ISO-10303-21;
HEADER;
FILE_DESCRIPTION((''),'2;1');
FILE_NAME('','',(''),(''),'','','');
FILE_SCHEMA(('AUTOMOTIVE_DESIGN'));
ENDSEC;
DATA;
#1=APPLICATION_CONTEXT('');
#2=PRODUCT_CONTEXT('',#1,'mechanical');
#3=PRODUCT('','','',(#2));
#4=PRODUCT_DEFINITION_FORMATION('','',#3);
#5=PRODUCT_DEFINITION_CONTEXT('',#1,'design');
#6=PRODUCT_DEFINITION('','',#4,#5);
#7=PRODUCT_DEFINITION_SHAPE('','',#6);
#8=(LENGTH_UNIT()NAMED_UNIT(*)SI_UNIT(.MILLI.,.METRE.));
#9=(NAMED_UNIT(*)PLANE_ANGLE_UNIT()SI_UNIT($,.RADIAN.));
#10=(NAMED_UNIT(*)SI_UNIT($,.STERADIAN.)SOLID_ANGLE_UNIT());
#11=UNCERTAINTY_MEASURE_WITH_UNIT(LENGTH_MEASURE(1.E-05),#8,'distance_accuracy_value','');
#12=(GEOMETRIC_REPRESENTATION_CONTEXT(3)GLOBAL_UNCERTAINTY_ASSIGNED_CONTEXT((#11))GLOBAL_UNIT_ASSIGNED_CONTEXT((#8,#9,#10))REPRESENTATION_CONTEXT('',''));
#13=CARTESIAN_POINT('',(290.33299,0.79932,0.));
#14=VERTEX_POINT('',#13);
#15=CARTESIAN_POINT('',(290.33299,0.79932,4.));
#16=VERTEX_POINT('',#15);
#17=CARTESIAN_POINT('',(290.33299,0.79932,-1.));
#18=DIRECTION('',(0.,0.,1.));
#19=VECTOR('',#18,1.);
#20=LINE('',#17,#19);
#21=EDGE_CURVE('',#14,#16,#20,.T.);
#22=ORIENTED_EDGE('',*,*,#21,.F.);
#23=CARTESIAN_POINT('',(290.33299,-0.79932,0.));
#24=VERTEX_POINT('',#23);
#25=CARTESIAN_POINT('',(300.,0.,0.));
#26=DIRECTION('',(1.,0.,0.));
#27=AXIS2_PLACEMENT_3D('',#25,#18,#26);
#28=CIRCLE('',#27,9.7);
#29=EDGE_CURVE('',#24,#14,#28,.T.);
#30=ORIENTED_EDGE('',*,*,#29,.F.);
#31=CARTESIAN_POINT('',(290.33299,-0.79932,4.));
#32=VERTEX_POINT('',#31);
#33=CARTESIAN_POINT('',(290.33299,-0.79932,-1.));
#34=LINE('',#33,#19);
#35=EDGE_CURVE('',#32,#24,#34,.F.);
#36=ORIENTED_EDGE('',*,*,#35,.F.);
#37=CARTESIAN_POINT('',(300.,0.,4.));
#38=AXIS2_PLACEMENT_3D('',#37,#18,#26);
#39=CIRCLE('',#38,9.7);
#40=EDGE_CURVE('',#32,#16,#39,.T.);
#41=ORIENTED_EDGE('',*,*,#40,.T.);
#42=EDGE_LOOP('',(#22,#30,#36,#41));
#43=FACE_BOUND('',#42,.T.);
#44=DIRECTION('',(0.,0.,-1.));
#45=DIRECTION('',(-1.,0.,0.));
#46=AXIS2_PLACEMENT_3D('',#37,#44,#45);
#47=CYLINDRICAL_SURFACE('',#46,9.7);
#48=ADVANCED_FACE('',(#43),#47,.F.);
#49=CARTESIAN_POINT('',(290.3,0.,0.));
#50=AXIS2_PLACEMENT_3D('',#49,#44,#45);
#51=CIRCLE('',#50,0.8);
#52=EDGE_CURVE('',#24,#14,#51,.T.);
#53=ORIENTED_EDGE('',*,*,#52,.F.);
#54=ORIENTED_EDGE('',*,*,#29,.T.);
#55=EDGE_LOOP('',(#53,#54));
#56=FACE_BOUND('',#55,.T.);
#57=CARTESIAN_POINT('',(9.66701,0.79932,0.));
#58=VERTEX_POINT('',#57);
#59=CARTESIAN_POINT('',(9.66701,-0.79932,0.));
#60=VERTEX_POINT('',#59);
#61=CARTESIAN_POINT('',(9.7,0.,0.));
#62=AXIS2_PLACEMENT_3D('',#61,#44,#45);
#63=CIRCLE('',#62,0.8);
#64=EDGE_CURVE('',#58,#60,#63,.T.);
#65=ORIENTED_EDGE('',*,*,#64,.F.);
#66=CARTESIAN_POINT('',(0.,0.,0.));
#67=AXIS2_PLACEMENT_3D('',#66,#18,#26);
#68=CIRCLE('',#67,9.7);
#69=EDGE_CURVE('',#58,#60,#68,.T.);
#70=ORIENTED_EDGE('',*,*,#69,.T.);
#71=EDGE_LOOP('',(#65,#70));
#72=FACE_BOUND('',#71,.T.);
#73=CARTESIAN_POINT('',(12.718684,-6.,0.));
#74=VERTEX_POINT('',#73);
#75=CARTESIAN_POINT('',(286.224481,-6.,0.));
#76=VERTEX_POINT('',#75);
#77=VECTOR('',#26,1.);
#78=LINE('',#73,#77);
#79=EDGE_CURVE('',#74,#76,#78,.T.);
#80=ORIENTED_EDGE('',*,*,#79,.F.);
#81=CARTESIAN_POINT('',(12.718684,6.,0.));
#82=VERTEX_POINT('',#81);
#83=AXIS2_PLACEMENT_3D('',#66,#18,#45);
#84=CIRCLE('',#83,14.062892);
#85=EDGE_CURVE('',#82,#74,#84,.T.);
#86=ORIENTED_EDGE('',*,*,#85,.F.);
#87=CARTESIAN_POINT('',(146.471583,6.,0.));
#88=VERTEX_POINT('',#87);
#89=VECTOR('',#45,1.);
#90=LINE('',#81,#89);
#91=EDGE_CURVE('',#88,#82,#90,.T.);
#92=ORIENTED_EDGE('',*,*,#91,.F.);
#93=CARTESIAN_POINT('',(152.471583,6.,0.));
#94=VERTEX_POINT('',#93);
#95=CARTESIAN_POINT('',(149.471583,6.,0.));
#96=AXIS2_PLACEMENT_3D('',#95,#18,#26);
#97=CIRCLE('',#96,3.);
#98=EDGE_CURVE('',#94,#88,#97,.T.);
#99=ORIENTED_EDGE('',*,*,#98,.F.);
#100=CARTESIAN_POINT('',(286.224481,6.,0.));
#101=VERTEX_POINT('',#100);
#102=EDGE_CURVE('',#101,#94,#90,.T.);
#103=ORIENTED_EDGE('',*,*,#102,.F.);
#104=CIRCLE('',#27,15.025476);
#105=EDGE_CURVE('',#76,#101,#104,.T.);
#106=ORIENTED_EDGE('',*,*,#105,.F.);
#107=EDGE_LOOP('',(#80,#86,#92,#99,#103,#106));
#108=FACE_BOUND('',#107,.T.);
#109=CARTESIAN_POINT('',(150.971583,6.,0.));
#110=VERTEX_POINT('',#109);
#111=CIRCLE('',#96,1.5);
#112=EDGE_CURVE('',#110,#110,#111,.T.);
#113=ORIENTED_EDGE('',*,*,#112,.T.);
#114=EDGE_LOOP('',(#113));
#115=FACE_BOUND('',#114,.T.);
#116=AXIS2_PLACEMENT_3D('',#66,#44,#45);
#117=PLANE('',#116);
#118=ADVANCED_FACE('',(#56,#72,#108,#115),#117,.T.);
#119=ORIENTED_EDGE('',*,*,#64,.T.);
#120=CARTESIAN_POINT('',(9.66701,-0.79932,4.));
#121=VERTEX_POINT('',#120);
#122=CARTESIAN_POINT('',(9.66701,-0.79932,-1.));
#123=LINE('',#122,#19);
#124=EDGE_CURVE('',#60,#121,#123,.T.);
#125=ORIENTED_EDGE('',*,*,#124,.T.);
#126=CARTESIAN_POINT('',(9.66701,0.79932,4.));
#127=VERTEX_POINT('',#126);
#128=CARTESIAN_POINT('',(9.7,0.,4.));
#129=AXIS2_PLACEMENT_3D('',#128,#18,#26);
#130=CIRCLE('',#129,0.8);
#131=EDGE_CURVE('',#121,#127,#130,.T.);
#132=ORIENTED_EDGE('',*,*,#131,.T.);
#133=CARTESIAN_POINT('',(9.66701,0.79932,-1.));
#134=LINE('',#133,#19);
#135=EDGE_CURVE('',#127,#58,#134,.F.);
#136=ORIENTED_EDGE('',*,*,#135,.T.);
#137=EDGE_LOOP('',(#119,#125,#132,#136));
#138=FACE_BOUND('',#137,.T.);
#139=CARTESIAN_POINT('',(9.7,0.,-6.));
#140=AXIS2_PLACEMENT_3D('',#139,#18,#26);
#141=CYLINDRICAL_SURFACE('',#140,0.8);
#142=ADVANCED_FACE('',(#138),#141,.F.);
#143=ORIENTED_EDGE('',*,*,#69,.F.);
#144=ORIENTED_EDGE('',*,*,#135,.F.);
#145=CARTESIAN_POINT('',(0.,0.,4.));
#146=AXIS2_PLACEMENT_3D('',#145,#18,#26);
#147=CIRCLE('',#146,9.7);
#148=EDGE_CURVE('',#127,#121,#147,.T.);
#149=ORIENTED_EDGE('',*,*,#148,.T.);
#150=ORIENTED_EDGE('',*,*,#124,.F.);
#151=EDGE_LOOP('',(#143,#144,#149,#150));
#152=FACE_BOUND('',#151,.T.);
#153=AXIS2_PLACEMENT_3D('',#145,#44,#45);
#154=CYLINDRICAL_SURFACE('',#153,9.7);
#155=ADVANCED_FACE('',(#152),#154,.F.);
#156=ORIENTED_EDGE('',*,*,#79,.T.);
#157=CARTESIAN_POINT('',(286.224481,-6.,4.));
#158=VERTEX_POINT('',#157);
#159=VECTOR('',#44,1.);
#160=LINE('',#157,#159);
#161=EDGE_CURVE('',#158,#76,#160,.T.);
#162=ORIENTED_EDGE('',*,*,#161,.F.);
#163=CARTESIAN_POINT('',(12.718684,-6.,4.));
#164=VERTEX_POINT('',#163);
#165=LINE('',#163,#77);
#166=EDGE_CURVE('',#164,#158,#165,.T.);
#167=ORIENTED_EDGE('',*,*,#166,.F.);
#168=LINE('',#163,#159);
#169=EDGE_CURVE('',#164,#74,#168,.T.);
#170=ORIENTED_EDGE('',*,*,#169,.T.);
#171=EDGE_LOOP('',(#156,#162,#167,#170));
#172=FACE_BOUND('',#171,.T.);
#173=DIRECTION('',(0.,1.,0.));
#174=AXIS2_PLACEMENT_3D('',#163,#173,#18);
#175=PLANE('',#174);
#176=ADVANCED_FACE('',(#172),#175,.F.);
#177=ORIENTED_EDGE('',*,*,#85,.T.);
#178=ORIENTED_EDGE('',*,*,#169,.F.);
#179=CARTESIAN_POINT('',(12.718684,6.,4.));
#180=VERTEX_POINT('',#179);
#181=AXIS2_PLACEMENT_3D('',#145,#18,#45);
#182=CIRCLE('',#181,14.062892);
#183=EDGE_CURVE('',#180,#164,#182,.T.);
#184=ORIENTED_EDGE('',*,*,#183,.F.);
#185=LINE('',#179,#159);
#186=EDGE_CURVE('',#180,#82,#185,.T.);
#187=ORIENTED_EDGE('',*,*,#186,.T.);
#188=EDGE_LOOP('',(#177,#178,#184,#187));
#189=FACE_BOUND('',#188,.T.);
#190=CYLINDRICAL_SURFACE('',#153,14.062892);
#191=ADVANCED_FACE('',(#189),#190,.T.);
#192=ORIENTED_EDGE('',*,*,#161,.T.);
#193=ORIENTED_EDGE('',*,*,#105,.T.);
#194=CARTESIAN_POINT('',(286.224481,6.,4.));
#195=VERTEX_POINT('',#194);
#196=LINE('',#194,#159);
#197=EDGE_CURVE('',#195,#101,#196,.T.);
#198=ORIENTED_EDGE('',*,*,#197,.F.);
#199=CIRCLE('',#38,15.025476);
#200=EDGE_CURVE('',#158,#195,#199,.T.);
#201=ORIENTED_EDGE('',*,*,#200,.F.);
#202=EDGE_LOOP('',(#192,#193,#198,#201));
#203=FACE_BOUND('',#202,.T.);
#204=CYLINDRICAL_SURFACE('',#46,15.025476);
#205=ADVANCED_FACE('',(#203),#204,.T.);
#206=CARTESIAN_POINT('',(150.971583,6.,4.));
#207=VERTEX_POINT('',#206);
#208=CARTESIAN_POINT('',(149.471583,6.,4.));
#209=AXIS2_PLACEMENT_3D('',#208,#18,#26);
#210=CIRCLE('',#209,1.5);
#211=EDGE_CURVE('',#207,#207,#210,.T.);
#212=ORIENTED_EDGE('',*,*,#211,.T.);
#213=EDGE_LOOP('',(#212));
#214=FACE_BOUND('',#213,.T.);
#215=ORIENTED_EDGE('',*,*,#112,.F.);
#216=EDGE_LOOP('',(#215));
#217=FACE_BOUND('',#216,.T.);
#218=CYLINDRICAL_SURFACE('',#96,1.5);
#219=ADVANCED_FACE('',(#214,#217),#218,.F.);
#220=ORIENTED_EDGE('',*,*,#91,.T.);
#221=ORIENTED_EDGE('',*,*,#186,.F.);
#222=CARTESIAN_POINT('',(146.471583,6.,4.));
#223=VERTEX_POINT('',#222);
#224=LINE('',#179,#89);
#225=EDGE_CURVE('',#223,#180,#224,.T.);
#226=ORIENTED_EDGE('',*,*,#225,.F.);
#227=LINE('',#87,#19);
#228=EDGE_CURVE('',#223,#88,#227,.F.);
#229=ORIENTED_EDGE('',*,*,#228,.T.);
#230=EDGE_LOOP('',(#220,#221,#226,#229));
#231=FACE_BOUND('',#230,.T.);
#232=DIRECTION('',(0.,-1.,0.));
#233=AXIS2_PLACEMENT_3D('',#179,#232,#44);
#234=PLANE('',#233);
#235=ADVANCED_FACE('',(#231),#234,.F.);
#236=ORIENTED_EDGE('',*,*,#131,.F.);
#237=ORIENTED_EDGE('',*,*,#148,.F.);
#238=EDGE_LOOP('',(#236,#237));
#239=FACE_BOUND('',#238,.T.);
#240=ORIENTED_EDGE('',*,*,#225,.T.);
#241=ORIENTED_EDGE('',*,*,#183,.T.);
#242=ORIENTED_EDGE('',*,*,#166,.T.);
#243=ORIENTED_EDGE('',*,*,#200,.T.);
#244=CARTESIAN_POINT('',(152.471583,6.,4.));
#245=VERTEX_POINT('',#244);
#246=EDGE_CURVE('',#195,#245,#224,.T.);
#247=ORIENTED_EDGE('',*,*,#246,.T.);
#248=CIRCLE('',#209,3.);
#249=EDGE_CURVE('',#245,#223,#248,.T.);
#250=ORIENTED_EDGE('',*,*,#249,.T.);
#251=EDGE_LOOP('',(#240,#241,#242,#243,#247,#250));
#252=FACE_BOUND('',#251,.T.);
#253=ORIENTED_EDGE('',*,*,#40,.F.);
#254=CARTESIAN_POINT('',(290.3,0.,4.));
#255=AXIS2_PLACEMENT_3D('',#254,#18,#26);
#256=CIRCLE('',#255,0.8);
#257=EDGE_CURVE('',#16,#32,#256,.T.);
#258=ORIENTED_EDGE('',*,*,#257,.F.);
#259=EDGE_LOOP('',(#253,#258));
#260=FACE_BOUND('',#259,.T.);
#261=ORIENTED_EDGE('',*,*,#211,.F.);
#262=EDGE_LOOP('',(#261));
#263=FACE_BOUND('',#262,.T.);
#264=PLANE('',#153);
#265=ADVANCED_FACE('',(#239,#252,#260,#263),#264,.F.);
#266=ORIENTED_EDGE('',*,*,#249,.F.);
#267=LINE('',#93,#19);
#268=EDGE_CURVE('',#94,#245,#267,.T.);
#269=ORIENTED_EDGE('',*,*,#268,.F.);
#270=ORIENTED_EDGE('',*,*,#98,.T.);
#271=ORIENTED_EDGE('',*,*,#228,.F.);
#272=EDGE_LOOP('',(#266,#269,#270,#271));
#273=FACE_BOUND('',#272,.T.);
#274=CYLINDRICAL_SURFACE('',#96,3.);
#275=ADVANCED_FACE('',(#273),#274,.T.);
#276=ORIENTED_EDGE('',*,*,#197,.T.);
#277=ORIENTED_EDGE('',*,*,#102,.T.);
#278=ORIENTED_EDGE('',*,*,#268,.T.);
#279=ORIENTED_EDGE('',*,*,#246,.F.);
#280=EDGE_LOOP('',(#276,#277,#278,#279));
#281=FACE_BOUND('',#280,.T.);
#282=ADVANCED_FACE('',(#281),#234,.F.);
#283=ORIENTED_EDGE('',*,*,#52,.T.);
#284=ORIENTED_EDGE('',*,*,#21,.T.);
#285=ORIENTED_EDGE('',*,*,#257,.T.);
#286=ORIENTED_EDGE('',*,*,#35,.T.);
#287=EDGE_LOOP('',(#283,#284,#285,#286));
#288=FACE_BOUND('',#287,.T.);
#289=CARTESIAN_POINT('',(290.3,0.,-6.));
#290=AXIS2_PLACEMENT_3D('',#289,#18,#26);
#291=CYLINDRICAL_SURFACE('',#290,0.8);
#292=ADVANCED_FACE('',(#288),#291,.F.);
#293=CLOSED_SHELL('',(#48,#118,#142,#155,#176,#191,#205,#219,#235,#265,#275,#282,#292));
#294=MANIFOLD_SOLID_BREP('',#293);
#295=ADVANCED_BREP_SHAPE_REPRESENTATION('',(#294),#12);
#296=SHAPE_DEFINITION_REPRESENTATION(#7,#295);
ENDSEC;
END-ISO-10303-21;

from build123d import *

# Parameters (mm, degrees)
SKETCH_1_R          = 9.7
EXTRUDE_1_DEPTH     = 4
SKETCH_3_R          = 0.8
CUT_EXTRUDE_1_DEPTH = 10
SKETCH_4_R          = 3
EXTRUDE_2_DEPTH     = 4
SKETCH_5_R          = 1.5
CUT_EXTRUDE_2_DEPTH = 4


with BuildPart() as part:
    # 草图1 → 凸台-拉伸1 (new body)
    with BuildSketch(Plane.XY):
        with BuildLine():
            Line((12.718684308, 6), (286.224480753, 6))
            ThreePointArc((286.224480753, 6), (315.02547605, 0), (286.224480753, -6))
            Line((286.224480753, -6), (12.718684308, -6))
            ThreePointArc((12.718684308, -6), (-14.062891969, 0), (12.718684308, 6))
        make_face()
        Circle(SKETCH_1_R, mode=Mode.SUBTRACT)
        with Locations((300, 0)):
            Circle(SKETCH_1_R, mode=Mode.SUBTRACT)
    extrude(amount=EXTRUDE_1_DEPTH)

    # 草图3 → 切除-拉伸1 (cut)
    with BuildSketch(Plane.XY.offset(4)):
        with Locations((9.7, 0)):
            Circle(SKETCH_3_R)
        with Locations((290.3, 0)):
            Circle(SKETCH_3_R)
    extrude(amount=-CUT_EXTRUDE_1_DEPTH, mode=Mode.SUBTRACT)

    # 草图4 → 凸台-拉伸2 (add)
    with BuildSketch(Plane.XY.offset(4)):
        with Locations((149.47158253, 6)):
            Circle(SKETCH_4_R)
    extrude(amount=-EXTRUDE_2_DEPTH)

    # 草图5 → 切除-拉伸2 (cut)
    with BuildSketch(Plane.XY.offset(4)):
        with Locations((149.47158253, 6)):
            Circle(SKETCH_5_R)
    extrude(amount=-CUT_EXTRUDE_2_DEPTH, mode=Mode.SUBTRACT)


solid = part.part
